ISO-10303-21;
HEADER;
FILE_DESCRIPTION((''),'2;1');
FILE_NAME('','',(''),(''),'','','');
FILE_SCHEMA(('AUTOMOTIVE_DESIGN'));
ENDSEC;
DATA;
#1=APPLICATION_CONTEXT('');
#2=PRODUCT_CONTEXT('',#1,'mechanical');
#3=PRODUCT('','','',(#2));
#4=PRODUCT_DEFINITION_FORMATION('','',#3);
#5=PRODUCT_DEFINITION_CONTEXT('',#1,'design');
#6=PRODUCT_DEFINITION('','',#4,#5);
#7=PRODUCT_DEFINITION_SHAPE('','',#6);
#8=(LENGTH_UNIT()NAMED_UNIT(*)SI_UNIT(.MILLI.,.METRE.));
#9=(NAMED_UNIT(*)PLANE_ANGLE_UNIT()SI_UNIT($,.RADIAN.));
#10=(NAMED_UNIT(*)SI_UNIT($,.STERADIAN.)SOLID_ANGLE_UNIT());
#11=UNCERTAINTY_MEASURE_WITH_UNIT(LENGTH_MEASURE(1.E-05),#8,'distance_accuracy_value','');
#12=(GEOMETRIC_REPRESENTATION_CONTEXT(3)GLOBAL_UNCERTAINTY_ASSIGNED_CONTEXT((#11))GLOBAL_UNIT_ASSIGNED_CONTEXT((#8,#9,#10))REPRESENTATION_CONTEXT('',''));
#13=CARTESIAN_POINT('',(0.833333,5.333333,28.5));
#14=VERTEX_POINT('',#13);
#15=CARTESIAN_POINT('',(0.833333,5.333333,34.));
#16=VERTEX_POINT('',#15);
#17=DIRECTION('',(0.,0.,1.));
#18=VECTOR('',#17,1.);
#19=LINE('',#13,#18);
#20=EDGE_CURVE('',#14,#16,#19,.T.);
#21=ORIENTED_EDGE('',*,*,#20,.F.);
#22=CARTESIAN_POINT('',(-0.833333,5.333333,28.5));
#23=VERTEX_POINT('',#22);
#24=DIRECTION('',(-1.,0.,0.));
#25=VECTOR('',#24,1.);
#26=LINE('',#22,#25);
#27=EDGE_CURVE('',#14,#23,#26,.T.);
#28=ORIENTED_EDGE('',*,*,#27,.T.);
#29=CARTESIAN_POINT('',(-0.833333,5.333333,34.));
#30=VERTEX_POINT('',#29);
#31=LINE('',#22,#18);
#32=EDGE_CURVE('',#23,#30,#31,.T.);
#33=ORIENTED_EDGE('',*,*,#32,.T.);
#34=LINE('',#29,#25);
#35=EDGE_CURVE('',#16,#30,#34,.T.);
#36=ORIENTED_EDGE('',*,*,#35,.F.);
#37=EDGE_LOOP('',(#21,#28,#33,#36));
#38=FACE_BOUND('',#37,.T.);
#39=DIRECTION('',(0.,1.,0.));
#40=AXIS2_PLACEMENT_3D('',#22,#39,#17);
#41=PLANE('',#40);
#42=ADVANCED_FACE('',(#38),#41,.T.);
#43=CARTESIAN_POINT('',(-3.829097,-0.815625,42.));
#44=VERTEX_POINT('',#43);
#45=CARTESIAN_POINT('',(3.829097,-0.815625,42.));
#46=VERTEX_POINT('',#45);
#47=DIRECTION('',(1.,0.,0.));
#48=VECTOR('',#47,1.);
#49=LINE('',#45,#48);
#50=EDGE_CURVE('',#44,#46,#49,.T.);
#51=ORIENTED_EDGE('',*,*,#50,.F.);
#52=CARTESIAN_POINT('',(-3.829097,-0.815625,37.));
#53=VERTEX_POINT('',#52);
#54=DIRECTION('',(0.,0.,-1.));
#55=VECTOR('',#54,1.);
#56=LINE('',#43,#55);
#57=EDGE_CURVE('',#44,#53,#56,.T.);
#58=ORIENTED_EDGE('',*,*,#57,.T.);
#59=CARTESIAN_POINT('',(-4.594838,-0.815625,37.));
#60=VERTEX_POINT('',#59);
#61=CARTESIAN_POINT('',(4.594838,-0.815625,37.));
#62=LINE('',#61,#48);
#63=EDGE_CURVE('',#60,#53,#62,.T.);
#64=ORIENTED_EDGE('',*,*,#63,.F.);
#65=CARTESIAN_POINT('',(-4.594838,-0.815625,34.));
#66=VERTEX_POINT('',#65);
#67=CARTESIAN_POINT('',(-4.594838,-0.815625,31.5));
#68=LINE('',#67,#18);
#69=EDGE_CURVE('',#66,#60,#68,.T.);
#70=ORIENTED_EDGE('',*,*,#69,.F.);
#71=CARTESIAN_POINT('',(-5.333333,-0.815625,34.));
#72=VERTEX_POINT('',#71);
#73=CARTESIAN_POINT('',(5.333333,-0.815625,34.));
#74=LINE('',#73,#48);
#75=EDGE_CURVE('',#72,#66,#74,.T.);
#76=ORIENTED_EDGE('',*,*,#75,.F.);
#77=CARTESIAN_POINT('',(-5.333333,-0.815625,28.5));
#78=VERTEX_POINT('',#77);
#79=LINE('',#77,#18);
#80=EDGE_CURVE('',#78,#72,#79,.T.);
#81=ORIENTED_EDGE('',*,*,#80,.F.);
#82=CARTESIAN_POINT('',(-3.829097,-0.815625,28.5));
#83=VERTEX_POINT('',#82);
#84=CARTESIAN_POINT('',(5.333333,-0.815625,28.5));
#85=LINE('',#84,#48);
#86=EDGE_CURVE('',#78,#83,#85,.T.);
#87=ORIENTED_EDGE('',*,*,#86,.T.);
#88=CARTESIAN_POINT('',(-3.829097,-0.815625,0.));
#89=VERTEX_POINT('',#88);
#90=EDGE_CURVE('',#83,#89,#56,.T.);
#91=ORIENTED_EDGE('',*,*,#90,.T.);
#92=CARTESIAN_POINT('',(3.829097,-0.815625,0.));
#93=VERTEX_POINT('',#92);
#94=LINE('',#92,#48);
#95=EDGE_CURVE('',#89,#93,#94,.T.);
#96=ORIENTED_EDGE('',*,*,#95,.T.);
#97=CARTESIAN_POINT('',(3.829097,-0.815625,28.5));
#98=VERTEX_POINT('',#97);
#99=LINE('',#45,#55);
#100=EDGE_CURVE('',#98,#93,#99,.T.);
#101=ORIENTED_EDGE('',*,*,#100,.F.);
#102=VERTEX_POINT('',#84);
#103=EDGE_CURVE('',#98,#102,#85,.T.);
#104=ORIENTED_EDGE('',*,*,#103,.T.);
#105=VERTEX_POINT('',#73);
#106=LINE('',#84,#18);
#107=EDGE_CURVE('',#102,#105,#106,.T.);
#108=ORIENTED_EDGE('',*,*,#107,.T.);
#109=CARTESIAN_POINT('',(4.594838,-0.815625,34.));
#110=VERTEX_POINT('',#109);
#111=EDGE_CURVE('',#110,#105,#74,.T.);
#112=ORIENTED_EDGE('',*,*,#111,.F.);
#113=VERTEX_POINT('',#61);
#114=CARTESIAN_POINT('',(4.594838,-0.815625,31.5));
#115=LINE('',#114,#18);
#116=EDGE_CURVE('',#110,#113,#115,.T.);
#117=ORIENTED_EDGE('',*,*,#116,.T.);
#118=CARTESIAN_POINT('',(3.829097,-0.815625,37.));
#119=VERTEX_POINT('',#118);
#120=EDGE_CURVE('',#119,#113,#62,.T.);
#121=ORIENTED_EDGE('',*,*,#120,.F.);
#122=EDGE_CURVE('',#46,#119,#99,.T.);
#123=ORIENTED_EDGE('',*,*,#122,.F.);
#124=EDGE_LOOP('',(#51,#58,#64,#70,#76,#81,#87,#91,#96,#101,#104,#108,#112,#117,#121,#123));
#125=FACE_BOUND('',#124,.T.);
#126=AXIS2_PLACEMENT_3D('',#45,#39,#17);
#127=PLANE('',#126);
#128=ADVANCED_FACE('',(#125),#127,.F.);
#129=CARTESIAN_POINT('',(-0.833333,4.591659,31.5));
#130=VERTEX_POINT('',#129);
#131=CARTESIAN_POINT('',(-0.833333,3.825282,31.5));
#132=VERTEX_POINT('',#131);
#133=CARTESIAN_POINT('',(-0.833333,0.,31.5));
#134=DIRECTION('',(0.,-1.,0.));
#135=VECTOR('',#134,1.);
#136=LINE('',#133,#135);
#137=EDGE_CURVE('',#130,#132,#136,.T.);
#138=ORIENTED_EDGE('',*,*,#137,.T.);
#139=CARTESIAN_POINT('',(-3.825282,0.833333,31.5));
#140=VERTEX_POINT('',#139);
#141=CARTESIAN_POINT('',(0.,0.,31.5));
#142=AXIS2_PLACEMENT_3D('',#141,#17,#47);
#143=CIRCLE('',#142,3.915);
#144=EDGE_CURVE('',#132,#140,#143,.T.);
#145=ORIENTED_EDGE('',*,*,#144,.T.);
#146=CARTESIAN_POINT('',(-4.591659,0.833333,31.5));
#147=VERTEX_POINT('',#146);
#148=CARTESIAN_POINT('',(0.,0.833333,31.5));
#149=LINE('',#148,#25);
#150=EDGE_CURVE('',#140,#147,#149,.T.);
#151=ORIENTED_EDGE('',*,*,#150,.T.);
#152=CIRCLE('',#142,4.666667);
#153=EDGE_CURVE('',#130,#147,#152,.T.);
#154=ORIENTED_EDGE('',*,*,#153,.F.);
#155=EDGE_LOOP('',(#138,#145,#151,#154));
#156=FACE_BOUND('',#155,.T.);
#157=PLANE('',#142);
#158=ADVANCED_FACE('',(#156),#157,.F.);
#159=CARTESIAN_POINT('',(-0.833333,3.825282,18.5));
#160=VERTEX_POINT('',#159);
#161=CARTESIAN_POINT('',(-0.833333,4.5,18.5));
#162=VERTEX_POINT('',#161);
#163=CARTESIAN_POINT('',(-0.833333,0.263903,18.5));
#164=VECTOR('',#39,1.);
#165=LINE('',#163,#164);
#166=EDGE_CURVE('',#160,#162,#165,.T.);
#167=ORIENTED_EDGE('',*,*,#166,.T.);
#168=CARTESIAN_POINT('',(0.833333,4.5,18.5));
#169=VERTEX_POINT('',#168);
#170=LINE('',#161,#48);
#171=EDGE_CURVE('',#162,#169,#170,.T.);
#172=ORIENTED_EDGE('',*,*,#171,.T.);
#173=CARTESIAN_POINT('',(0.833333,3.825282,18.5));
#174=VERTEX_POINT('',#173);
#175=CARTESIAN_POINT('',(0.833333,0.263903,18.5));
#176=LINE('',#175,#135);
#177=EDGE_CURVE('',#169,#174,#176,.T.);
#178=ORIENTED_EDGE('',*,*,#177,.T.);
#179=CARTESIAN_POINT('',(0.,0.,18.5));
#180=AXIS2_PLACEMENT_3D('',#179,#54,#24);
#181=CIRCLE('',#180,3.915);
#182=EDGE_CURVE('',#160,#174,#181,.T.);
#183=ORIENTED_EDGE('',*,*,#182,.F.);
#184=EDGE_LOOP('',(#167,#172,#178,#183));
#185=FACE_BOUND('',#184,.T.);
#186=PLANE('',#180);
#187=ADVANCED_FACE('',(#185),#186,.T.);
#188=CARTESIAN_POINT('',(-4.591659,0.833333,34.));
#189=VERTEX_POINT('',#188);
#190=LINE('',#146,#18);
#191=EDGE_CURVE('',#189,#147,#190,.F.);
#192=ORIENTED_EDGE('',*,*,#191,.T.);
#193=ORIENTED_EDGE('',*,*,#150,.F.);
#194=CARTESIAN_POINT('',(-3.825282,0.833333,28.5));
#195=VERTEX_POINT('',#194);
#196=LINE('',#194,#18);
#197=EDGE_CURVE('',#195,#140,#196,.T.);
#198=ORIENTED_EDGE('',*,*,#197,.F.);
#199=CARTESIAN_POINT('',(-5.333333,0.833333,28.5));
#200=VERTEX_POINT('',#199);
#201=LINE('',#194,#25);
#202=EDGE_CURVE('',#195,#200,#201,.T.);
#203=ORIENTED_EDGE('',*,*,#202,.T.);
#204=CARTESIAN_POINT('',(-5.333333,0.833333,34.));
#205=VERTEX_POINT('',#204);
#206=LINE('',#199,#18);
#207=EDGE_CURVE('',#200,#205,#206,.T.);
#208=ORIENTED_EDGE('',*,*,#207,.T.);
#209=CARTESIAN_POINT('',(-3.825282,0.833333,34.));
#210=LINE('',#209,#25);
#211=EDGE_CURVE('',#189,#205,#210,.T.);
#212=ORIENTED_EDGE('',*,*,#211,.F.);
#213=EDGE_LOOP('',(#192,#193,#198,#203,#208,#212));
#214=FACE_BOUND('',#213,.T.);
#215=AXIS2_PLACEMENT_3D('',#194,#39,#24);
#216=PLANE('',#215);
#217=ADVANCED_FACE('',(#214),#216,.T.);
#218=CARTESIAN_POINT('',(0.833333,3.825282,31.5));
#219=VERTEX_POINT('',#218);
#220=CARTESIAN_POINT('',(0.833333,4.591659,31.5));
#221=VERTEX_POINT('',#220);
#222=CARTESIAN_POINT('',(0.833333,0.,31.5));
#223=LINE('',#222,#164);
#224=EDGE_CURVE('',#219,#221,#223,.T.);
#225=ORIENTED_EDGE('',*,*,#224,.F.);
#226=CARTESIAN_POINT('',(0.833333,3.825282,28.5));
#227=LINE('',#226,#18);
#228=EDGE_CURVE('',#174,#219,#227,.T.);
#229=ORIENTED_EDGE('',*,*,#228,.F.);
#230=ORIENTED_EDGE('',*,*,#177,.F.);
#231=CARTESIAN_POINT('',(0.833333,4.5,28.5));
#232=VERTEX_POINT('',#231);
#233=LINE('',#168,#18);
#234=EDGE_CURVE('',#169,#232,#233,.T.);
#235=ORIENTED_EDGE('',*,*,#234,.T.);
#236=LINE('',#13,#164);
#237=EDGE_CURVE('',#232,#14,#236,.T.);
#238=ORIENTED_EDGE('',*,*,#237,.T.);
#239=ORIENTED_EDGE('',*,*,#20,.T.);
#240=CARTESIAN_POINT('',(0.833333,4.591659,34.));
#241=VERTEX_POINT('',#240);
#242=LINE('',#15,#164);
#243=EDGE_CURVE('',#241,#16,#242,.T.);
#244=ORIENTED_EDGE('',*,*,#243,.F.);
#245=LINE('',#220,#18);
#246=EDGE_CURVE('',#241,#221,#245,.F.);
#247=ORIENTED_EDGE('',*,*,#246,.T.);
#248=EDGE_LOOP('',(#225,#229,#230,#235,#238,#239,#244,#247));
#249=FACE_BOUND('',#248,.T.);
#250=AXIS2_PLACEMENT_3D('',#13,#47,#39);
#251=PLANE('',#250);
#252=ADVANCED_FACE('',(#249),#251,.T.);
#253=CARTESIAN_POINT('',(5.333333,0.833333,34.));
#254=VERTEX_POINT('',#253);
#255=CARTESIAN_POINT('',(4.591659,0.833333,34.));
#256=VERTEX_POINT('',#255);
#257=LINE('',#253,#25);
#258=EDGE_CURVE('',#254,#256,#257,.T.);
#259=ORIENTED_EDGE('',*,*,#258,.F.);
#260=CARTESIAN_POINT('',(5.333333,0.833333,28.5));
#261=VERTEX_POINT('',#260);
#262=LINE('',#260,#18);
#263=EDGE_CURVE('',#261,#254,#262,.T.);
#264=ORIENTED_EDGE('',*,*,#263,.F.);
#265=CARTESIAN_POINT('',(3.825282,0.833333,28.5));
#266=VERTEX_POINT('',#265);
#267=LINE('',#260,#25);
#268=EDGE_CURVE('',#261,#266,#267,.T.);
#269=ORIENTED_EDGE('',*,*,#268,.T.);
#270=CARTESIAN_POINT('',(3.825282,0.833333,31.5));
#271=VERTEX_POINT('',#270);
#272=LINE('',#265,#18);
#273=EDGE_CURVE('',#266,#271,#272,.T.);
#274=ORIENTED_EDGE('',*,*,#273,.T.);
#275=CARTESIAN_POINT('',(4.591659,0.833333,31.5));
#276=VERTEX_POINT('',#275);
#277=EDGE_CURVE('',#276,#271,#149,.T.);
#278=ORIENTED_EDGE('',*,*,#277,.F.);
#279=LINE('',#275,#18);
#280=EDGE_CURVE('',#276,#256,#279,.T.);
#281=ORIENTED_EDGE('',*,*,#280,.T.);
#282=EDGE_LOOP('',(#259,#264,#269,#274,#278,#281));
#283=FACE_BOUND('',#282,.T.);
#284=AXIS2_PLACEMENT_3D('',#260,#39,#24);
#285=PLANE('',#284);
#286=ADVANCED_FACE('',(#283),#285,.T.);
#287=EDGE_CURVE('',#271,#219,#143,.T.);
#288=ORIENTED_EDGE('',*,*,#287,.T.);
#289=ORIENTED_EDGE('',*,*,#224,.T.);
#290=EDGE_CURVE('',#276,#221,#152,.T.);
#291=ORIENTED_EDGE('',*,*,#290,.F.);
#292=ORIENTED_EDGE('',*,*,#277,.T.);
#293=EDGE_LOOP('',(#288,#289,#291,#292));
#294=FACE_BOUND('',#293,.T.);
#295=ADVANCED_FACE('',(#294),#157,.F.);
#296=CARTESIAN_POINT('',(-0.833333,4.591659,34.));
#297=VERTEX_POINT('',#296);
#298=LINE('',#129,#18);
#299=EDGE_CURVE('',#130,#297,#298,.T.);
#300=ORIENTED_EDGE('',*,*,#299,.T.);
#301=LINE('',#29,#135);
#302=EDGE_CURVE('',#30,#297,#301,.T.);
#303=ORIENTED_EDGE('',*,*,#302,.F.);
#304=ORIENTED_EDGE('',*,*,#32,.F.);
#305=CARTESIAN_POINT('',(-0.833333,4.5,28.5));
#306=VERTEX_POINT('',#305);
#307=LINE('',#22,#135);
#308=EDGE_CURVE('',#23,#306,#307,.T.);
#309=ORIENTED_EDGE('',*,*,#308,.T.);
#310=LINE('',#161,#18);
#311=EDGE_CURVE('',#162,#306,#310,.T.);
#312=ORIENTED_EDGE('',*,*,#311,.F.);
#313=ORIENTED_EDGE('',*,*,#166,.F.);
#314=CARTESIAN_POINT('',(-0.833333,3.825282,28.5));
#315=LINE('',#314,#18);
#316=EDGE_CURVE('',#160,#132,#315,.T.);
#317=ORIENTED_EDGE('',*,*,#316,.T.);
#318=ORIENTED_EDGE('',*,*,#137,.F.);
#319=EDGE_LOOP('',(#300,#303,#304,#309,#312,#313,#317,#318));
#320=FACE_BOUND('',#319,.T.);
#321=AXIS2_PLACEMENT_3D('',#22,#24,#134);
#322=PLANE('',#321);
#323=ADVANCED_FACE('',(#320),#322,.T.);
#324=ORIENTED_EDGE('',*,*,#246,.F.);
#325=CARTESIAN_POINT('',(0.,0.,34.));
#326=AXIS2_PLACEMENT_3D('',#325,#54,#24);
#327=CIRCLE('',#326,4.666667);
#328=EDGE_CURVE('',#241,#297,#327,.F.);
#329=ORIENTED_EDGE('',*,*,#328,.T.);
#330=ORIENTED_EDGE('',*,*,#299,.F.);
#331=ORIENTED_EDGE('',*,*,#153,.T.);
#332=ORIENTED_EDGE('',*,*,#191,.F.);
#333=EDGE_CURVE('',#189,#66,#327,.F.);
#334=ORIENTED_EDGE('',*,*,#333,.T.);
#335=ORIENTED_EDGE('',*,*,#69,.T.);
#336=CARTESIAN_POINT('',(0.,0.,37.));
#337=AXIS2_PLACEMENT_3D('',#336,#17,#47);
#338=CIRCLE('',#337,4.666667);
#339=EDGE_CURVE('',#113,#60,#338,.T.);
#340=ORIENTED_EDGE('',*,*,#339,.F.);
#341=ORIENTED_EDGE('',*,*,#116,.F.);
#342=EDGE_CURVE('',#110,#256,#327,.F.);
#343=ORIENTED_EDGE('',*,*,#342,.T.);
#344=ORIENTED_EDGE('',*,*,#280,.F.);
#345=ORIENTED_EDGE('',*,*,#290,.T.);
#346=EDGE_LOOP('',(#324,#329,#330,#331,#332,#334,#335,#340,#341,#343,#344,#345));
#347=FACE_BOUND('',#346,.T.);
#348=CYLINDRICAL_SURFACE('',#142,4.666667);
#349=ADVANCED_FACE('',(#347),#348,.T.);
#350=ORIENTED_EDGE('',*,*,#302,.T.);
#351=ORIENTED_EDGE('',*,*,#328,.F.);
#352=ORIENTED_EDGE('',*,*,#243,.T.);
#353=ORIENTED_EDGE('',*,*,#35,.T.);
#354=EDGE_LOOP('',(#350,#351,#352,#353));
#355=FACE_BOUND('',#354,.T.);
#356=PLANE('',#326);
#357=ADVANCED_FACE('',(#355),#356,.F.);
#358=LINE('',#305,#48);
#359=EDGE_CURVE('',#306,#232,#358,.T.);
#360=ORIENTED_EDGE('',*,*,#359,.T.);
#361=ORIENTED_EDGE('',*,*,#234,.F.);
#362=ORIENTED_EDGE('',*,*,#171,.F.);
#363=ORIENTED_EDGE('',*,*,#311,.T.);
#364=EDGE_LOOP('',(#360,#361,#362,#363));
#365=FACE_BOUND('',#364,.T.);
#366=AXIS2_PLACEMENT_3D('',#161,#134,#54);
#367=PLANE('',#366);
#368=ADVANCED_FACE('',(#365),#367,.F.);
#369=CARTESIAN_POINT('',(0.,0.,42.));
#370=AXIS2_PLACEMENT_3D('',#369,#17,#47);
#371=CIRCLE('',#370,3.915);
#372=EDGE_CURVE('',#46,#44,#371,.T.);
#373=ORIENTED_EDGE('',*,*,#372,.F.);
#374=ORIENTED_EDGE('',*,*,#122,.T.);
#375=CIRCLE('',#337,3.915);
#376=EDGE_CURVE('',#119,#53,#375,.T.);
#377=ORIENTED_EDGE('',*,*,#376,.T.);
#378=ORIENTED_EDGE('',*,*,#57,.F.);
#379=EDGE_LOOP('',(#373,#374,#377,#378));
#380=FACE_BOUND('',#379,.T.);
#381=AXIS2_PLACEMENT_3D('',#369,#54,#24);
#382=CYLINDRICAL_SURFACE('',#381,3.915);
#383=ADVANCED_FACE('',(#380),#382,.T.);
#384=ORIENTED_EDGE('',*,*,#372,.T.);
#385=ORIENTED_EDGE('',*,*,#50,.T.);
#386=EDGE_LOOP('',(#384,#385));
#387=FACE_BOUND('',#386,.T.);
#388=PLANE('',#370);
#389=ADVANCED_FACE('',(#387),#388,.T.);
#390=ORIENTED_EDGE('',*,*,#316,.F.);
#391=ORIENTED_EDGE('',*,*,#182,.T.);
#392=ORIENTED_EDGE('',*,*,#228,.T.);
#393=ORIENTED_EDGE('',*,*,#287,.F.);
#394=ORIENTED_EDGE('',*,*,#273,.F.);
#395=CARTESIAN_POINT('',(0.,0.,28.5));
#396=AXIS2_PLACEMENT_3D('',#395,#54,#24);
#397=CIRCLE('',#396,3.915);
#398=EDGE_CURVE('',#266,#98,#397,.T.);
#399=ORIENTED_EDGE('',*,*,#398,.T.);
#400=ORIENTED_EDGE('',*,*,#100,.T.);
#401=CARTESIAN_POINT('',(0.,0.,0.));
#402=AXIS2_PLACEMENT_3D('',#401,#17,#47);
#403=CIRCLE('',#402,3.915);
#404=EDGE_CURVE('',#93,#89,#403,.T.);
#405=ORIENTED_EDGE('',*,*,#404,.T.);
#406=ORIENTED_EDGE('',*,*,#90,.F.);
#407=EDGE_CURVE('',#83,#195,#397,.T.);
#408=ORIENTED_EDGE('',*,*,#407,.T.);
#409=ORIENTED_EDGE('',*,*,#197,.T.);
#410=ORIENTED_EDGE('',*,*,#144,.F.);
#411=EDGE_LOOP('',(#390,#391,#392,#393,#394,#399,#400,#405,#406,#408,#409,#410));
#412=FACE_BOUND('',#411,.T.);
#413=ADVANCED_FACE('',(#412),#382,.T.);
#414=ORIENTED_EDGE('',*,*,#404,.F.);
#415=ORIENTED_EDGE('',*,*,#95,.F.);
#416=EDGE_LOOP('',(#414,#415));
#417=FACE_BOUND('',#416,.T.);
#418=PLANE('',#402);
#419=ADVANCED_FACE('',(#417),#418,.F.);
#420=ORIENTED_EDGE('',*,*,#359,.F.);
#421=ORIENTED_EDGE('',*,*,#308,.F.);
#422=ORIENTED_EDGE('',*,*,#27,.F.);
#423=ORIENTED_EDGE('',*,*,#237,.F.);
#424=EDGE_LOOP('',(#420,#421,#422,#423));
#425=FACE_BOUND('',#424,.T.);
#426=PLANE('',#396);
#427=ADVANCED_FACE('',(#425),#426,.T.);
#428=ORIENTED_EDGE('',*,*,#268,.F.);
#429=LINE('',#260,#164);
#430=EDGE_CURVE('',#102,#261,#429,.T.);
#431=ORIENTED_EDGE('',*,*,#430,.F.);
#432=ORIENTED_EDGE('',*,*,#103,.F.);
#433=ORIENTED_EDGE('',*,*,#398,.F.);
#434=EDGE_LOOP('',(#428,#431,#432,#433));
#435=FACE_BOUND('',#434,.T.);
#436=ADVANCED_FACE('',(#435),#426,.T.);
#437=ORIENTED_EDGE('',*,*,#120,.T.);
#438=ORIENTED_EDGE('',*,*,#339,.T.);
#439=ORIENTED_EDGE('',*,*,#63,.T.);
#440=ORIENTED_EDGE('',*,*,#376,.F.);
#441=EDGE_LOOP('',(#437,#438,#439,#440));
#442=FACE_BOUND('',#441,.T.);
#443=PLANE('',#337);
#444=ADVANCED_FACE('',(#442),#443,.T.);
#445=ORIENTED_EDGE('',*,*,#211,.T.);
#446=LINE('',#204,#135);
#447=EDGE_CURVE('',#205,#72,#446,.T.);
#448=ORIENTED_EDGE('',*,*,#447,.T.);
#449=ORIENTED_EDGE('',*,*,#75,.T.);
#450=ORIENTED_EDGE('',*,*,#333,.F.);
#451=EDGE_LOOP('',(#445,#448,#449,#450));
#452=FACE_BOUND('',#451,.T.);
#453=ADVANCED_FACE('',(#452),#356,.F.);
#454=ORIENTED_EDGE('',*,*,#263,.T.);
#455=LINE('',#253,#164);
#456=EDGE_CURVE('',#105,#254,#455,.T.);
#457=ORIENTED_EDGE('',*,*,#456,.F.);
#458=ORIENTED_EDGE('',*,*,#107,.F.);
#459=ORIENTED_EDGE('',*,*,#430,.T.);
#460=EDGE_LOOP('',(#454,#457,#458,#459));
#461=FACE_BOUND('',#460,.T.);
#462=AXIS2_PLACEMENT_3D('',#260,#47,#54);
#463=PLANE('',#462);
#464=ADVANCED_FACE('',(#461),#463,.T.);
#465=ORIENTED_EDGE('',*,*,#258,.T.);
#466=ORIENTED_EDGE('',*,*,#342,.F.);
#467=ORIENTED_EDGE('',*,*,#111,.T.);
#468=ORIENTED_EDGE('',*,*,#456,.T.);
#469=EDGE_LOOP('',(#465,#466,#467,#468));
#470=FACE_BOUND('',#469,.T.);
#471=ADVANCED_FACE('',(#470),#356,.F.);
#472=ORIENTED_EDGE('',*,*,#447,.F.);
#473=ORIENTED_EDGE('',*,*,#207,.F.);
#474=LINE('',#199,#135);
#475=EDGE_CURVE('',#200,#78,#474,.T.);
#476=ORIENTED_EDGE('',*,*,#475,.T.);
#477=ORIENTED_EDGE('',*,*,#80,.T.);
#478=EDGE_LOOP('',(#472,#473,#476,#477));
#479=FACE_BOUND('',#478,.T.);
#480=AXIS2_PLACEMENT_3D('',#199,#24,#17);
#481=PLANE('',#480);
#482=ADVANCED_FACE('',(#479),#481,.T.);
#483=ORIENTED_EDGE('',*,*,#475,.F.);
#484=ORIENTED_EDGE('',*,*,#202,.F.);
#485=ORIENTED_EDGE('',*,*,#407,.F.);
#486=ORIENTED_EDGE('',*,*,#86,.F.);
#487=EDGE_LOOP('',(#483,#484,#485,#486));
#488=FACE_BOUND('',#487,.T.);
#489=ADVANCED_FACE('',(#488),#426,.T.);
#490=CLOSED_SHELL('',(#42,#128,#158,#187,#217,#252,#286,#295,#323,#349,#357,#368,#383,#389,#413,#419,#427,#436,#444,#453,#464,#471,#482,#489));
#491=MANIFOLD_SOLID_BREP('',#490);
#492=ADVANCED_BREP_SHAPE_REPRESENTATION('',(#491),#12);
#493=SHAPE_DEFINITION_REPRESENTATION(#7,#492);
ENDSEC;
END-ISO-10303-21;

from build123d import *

# Parameters (mm, degrees)
BOSS_EXTRUDE1_DEPTH      = 42
BOSS_EXTRUDE2_START      = -5
BOSS_EXTRUDE2_DEPTH      = 5.5
BOSS_EXTRUDE4_DEPTH      = 2.5
BOSS_EXTRUDE4_DEPTH_BACK = 3
SKETCH6_W                = 1.666666666
SKETCH6_H                = 4.236096709
BOSS_EXTRUDE5_DEPTH      = 10


with BuildPart() as part:
    # Sketch1 → Boss-Extrude1 (new body)
    with BuildSketch(Plane.XY):
        with BuildLine():
            Line((3.829096611, -0.815625), (-3.829096611, -0.815625))
            ThreePointArc((-3.829096611, -0.815625), (0, 3.915), (3.829096611, -0.815625))
        make_face()
    extrude(amount=BOSS_EXTRUDE1_DEPTH)

    # Sketch2 → Boss-Extrude2 (add)
    with BuildSketch(Plane.XY.offset(42).offset(BOSS_EXTRUDE2_START)):
        with BuildLine():
            Line((4.594837716, -0.815625), (-4.594837716, -0.815625))
            ThreePointArc((-4.594837716, -0.815625), (-4.648674746, -0.40939087), (-4.666666667, 0))
            ThreePointArc((-4.666666667, 0), (0, 4.666666667), (4.666666667, 0))
            ThreePointArc((4.666666667, 0), (4.648674746, -0.40939087), (4.594837716, -0.815625))
        make_face()
    extrude(amount=-BOSS_EXTRUDE2_DEPTH)

    # Sketch5 → Boss-Extrude4 (add, two sides: drawn at the far end of the back side and taken through both)
    with BuildSketch(Plane.XY.offset(31.5).offset(-BOSS_EXTRUDE4_DEPTH_BACK)):
        with BuildLine():
            Line((5.333333333, 0.833333333), (3.825281762, 0.833333333))
            ThreePointArc((3.825281762, 0.833333333), (2.768323048, 2.768323048), (0.833333333, 3.825281762))
            Line((0.833333333, 3.825281762), (0.833333333, 5.333333333))
            Line((0.833333333, 5.333333333), (-0.833333333, 5.333333333))
            Line((-0.833333333, 5.333333333), (-0.833333333, 3.825281762))
            ThreePointArc((-0.833333333, 3.825281762), (-2.768323048, 2.768323048), (-3.825281762, 0.833333333))
            Line((-3.825281762, 0.833333333), (-5.333333333, 0.833333333))
            Line((-5.333333333, 0.833333333), (-5.333333333, -0.815625))
            Line((-5.333333333, -0.815625), (5.333333333, -0.815625))
            Line((5.333333333, -0.815625), (5.333333333, 0.833333333))
        make_face()
    extrude(amount=BOSS_EXTRUDE4_DEPTH + BOSS_EXTRUDE4_DEPTH_BACK)

    # Sketch6 → Boss-Extrude5 (add)
    with BuildSketch(Plane(origin=(0, 0, 28.5), x_dir=(-1, 0, 0), z_dir=(0, 0, -1))):
        with Locations((0, 2.381951646)):
            Rectangle(SKETCH6_W, SKETCH6_H)
    extrude(amount=BOSS_EXTRUDE5_DEPTH)


solid = part.part
